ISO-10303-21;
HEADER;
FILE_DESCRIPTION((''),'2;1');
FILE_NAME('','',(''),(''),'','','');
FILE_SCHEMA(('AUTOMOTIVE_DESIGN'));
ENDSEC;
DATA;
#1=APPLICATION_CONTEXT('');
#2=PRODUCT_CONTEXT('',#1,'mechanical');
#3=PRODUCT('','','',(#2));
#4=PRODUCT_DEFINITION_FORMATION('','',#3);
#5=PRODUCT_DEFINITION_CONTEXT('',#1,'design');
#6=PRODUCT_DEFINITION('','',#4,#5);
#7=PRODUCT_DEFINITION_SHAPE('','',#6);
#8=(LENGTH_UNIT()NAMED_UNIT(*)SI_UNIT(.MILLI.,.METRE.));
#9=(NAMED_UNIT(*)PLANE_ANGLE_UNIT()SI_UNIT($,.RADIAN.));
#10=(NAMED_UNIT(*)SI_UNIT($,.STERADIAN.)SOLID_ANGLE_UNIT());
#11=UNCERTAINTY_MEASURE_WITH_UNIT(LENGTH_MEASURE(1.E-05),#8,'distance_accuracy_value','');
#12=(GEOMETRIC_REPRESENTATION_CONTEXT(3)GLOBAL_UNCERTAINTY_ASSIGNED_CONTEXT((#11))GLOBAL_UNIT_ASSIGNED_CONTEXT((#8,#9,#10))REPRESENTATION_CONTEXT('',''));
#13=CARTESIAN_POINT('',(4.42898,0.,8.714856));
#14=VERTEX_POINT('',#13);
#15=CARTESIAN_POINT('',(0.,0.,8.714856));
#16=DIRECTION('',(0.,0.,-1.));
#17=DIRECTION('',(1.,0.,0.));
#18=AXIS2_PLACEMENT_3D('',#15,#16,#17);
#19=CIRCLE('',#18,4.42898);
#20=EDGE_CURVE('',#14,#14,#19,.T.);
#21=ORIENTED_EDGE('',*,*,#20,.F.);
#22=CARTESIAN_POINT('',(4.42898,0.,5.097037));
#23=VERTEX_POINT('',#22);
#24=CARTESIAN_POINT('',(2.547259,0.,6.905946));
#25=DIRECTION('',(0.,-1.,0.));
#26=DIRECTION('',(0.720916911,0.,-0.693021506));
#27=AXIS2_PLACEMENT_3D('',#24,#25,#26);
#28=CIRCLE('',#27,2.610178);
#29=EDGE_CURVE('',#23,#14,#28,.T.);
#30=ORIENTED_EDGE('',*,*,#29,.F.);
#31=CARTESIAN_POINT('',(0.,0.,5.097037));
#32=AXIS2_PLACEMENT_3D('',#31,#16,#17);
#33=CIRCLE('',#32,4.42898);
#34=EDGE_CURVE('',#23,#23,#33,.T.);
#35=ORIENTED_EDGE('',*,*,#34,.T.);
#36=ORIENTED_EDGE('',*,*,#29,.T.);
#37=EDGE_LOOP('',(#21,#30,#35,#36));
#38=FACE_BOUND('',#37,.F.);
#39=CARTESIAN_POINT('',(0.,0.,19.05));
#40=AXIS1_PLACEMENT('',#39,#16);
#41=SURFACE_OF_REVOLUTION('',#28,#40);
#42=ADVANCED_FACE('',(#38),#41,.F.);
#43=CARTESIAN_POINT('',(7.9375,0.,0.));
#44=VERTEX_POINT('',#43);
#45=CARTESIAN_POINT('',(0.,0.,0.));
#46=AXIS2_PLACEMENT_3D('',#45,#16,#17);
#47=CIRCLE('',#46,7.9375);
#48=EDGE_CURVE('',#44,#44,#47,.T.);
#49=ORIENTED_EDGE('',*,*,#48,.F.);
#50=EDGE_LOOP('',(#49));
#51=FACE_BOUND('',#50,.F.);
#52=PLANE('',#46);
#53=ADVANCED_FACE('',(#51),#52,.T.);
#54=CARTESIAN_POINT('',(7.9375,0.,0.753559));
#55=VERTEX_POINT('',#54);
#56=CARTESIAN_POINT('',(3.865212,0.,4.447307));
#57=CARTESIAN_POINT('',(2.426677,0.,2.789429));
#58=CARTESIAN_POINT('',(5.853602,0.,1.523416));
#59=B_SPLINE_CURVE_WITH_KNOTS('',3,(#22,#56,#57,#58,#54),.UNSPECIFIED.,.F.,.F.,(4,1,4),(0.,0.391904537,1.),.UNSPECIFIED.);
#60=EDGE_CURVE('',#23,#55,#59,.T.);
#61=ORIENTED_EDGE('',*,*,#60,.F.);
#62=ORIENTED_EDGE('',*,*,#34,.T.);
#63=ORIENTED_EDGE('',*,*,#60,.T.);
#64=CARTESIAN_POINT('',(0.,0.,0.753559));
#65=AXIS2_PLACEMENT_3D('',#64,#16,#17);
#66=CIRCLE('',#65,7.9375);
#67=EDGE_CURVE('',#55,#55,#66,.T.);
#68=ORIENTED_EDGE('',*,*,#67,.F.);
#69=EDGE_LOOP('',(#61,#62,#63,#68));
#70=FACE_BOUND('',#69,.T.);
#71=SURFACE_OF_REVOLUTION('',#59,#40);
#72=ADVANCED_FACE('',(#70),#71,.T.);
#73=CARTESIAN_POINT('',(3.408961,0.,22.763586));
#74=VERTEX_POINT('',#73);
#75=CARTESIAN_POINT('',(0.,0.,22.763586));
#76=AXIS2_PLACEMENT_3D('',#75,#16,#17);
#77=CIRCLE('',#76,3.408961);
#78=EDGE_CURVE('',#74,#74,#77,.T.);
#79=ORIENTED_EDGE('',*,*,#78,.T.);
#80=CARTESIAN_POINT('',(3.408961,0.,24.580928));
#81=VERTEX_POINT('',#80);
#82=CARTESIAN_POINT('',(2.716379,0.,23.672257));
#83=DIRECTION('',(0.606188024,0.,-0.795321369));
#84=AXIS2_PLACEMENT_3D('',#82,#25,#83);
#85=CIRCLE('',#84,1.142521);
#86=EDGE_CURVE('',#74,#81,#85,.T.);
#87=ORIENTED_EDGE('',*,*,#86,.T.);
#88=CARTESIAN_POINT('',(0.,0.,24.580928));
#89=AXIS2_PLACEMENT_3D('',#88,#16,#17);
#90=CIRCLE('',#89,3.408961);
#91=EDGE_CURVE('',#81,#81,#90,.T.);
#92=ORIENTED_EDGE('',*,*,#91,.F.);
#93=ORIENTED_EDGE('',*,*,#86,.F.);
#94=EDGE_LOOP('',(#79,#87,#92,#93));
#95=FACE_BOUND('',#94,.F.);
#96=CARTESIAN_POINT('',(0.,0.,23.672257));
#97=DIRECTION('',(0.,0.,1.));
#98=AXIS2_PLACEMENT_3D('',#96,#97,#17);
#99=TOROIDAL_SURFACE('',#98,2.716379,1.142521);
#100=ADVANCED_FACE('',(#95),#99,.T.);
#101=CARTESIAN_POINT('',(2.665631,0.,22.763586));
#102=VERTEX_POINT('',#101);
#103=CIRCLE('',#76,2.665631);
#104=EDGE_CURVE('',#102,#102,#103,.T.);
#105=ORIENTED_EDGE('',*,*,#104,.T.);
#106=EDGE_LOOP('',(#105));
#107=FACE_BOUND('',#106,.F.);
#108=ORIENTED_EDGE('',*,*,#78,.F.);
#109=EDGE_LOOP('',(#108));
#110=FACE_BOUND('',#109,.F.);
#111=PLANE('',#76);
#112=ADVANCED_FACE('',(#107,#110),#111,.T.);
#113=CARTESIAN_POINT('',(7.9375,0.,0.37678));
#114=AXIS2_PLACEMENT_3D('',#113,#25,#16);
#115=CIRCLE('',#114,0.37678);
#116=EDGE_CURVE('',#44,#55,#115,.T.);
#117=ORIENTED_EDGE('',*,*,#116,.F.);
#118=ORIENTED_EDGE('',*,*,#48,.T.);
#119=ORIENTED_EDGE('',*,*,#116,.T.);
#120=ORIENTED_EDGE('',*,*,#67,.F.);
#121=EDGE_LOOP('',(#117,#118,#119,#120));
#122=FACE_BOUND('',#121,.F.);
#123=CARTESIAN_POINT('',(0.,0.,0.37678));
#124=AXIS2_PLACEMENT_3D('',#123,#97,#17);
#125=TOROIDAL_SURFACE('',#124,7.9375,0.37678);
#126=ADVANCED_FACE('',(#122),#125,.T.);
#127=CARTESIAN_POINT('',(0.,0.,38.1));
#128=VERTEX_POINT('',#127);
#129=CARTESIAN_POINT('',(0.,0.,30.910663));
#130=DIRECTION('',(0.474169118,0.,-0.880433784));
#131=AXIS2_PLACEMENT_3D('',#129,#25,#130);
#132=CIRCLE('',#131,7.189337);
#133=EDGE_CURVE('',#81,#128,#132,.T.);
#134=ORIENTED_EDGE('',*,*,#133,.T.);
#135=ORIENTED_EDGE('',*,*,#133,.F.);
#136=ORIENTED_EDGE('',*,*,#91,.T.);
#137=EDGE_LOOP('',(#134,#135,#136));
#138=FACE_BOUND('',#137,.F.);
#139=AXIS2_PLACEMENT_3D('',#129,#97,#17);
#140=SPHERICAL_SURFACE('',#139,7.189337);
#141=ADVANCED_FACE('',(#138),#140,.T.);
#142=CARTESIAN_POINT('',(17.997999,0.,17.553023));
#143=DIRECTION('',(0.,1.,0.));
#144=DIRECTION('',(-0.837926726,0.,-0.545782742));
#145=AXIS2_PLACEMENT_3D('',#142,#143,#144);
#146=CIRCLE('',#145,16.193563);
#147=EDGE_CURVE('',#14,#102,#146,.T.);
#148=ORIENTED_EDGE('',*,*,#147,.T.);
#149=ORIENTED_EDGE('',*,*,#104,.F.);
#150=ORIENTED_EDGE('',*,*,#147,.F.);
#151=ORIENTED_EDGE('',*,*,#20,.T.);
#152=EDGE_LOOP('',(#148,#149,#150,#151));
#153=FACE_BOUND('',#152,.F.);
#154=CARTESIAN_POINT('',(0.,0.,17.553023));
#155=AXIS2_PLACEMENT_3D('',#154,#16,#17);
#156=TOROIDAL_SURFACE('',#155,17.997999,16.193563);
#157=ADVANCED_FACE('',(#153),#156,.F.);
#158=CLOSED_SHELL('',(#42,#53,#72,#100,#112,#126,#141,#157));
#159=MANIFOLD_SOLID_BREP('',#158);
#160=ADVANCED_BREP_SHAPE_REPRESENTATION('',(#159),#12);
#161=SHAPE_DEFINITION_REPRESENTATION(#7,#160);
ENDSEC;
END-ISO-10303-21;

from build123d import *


with BuildPart() as f1:
    # F0 (on Front) → F1 (revolve)
    with BuildSketch(Plane.XZ):
        with BuildLine():
            ThreePointArc((3.4089614412, 24.5809284006), (6.9711246406, 32.6684981496), (0, 38.1))
            Line((0, 38.1), (0, 0))
            Line((0, 0), (7.9375, 0))
            ThreePointArc((7.9375, 0), (8.3142796152, 0.3767796152), (7.9375, 0.7535592304))
            add(Edge.make_bspline(
                [(4.4289799407, 5.0970371813), (3.8652116037, 4.447307109), (2.4266767475, 2.7894286959), (5.8536021882, 1.5234158797), (7.9375, 0.7535592304)],
                knots=[0, 0, 0, 0, 0.3919045372, 1, 1, 1, 1], degree=3))
            ThreePointArc((4.4289799407, 5.0970371813), (5.1574363772, 6.9059464149), (4.4289799407, 8.7148556486))
            ThreePointArc((4.4289799407, 8.7148556486), (1.9305085977, 15.5362857998), (2.6656309819, 22.7635856718))
            Line((2.6656309819, 22.7635856718), (3.4089614412, 22.7635856718))
            ThreePointArc((3.4089614412, 22.7635856718), (3.8588998931, 23.6722570362), (3.4089614412, 24.5809284006))
        make_face()
    revolve(axis=Axis((0, 0, 19.05), (0, 0, -1)))


solid = f1.part
